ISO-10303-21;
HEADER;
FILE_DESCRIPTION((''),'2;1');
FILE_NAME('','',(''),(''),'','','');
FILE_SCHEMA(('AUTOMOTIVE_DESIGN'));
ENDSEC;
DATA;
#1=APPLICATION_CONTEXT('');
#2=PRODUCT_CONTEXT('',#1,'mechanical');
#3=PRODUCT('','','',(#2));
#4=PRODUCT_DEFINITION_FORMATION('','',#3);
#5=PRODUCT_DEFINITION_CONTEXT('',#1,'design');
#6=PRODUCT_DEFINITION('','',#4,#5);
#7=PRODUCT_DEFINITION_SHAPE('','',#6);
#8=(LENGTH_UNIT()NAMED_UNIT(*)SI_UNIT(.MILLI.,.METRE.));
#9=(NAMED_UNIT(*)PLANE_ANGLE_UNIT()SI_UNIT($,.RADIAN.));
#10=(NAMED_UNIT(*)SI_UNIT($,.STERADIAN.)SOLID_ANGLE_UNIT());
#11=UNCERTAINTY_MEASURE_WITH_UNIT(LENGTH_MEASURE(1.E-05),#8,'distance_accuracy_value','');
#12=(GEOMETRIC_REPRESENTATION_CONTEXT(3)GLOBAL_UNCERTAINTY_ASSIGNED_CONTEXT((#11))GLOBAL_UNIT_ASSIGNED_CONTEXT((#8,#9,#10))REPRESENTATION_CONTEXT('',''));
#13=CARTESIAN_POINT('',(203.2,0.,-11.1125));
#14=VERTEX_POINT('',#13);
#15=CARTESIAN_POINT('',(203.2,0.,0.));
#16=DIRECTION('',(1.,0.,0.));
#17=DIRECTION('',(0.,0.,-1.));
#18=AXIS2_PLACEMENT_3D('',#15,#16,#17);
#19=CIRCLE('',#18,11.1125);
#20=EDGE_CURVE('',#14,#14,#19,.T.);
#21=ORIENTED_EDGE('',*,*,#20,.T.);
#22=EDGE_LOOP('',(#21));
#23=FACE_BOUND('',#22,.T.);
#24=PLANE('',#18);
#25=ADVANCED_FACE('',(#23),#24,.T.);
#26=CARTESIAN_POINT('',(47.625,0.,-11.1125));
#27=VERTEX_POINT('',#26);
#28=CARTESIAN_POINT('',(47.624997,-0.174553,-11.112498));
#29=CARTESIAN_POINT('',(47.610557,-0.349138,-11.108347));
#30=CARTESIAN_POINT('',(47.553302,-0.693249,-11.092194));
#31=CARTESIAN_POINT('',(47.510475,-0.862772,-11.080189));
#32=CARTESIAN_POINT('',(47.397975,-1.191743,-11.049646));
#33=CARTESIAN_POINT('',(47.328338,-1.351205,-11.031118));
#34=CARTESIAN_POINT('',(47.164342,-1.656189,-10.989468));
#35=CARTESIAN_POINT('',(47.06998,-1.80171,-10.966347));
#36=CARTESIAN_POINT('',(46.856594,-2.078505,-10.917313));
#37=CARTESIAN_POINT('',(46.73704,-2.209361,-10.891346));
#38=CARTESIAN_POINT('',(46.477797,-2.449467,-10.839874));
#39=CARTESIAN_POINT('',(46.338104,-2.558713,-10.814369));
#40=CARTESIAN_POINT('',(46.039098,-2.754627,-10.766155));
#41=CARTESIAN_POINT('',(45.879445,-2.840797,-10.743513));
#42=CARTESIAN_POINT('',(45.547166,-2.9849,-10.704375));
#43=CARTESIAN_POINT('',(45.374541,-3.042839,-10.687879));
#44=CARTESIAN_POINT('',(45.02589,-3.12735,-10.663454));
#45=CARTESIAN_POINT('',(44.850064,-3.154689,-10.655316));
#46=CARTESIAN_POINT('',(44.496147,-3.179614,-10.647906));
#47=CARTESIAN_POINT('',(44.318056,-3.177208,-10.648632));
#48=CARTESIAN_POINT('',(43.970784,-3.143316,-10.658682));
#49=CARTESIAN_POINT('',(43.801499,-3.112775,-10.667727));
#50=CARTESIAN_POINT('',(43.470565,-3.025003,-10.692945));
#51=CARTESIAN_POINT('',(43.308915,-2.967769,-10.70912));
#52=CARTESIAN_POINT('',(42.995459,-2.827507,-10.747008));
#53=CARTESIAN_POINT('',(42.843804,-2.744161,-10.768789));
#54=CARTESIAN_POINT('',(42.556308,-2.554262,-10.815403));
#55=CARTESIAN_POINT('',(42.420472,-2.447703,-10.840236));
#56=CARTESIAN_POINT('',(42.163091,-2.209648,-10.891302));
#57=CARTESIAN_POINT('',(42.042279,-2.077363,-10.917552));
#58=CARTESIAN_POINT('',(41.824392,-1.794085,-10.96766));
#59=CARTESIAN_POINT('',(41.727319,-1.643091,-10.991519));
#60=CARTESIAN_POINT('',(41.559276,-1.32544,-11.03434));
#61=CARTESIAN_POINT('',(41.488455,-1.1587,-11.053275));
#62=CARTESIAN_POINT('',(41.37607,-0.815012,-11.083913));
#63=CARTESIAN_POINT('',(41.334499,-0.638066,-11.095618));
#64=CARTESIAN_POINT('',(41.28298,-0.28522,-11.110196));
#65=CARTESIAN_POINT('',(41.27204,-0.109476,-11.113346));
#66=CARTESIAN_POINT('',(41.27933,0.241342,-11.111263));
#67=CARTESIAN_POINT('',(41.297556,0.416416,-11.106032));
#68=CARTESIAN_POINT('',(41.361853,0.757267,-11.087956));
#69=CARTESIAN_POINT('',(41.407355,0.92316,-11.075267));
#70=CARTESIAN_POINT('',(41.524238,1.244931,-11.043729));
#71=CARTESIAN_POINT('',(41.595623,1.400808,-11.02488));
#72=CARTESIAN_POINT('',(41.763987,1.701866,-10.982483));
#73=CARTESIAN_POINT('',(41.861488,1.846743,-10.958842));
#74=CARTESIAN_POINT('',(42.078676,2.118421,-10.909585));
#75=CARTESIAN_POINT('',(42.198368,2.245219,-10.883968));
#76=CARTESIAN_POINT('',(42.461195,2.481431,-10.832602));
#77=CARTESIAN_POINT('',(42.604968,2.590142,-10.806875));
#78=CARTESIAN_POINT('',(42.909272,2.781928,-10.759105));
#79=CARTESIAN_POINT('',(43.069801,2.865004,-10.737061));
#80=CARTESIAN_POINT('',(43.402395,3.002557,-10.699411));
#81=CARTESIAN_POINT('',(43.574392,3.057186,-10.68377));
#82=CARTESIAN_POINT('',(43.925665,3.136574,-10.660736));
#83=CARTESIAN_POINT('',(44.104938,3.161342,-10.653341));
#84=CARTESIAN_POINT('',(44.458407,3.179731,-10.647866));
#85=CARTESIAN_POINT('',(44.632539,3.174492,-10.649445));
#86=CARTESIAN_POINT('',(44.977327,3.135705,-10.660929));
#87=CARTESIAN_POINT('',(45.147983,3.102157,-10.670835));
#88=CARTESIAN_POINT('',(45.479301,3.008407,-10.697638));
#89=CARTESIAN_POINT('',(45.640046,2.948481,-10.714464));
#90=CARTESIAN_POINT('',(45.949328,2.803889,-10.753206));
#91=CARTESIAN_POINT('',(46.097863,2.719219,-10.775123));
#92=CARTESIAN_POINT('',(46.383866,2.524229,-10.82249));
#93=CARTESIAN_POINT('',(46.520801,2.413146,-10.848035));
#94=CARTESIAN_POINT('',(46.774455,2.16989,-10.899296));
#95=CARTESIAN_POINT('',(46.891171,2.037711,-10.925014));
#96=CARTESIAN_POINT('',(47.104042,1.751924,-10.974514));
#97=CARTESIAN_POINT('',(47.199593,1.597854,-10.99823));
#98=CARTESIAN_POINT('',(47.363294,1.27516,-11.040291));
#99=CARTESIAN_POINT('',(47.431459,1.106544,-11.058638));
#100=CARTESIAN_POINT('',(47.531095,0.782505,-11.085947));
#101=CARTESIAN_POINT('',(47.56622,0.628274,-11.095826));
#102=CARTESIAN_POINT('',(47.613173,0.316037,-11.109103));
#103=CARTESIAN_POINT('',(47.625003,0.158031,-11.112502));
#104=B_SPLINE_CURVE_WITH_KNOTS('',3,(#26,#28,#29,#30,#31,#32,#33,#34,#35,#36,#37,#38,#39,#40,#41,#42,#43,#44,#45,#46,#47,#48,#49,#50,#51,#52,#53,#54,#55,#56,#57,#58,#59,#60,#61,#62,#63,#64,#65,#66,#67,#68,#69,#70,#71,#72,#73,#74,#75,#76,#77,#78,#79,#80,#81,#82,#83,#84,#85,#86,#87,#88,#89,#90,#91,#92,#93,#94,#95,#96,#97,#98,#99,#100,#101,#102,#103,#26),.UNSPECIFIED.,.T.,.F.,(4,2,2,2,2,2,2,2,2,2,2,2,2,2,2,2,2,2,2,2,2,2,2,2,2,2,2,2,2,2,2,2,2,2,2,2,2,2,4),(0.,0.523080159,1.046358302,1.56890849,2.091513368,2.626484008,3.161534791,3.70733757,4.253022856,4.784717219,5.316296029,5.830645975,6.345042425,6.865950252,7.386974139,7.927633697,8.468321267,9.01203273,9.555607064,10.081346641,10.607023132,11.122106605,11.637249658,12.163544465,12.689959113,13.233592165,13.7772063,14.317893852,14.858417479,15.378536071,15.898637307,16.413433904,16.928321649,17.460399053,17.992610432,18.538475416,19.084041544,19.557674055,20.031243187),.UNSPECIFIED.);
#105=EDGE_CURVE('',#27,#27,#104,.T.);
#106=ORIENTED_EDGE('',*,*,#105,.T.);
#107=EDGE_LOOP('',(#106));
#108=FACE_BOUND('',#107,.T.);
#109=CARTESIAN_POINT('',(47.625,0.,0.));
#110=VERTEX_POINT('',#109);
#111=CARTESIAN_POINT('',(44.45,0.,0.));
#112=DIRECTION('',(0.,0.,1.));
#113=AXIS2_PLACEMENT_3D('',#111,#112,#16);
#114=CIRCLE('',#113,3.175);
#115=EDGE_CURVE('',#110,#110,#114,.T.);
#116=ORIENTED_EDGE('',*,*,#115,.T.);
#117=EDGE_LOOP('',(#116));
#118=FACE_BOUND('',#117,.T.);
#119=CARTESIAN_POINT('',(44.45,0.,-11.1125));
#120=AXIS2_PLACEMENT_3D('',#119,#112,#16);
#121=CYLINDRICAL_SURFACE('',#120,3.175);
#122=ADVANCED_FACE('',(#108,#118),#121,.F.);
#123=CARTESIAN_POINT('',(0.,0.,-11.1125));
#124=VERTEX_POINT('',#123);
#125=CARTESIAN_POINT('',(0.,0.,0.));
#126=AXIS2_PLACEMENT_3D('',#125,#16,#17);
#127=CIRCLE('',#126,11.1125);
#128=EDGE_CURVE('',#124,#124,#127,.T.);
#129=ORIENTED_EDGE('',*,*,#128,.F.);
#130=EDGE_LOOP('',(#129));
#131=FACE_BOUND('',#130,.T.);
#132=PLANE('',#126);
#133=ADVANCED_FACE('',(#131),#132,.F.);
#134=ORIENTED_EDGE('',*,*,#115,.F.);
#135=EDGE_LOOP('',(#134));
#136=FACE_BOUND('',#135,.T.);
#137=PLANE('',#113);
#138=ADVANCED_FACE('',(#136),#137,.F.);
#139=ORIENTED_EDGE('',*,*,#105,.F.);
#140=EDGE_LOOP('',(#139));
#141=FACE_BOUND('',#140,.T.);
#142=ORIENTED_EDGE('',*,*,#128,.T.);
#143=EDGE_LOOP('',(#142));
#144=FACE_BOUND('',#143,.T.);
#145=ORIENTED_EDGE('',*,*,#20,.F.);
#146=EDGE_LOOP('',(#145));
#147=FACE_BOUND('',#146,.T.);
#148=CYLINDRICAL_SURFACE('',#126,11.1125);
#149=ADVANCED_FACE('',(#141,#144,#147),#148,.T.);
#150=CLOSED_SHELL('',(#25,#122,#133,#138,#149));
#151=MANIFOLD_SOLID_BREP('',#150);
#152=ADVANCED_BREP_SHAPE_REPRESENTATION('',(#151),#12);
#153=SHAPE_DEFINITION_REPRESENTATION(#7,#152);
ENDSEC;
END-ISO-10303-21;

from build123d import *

# Parameters (mm, degrees)
SWEEP1_PROFILE_R   = 11.1125
SKETCH18_R         = 3.175
CUT_EXTRUDE1_DEPTH = 204.806808798


with BuildPart() as part:
    # Sweep1: sweep along a path in Sketch1
    with BuildLine(Plane.XY) as sweep1_path:
        Line((0, 0), (203.2, 0))
    # Sweep1 profile (on start of the path) → Sweep1 (sweep)
    with BuildSketch(Plane(origin=(0, 0, 0), x_dir=(0, 0, 1), z_dir=(1, 0, 0))):
        Circle(SWEEP1_PROFILE_R)
    sweep(path=sweep1_path.line)

    # Sketch18 → Cut-Extrude1 (cut, through all)
    with BuildSketch(Plane.XY):
        with Locations((44.45, 0)):
            Circle(SKETCH18_R)
    extrude(amount=-CUT_EXTRUDE1_DEPTH, mode=Mode.SUBTRACT)


solid = part.part
